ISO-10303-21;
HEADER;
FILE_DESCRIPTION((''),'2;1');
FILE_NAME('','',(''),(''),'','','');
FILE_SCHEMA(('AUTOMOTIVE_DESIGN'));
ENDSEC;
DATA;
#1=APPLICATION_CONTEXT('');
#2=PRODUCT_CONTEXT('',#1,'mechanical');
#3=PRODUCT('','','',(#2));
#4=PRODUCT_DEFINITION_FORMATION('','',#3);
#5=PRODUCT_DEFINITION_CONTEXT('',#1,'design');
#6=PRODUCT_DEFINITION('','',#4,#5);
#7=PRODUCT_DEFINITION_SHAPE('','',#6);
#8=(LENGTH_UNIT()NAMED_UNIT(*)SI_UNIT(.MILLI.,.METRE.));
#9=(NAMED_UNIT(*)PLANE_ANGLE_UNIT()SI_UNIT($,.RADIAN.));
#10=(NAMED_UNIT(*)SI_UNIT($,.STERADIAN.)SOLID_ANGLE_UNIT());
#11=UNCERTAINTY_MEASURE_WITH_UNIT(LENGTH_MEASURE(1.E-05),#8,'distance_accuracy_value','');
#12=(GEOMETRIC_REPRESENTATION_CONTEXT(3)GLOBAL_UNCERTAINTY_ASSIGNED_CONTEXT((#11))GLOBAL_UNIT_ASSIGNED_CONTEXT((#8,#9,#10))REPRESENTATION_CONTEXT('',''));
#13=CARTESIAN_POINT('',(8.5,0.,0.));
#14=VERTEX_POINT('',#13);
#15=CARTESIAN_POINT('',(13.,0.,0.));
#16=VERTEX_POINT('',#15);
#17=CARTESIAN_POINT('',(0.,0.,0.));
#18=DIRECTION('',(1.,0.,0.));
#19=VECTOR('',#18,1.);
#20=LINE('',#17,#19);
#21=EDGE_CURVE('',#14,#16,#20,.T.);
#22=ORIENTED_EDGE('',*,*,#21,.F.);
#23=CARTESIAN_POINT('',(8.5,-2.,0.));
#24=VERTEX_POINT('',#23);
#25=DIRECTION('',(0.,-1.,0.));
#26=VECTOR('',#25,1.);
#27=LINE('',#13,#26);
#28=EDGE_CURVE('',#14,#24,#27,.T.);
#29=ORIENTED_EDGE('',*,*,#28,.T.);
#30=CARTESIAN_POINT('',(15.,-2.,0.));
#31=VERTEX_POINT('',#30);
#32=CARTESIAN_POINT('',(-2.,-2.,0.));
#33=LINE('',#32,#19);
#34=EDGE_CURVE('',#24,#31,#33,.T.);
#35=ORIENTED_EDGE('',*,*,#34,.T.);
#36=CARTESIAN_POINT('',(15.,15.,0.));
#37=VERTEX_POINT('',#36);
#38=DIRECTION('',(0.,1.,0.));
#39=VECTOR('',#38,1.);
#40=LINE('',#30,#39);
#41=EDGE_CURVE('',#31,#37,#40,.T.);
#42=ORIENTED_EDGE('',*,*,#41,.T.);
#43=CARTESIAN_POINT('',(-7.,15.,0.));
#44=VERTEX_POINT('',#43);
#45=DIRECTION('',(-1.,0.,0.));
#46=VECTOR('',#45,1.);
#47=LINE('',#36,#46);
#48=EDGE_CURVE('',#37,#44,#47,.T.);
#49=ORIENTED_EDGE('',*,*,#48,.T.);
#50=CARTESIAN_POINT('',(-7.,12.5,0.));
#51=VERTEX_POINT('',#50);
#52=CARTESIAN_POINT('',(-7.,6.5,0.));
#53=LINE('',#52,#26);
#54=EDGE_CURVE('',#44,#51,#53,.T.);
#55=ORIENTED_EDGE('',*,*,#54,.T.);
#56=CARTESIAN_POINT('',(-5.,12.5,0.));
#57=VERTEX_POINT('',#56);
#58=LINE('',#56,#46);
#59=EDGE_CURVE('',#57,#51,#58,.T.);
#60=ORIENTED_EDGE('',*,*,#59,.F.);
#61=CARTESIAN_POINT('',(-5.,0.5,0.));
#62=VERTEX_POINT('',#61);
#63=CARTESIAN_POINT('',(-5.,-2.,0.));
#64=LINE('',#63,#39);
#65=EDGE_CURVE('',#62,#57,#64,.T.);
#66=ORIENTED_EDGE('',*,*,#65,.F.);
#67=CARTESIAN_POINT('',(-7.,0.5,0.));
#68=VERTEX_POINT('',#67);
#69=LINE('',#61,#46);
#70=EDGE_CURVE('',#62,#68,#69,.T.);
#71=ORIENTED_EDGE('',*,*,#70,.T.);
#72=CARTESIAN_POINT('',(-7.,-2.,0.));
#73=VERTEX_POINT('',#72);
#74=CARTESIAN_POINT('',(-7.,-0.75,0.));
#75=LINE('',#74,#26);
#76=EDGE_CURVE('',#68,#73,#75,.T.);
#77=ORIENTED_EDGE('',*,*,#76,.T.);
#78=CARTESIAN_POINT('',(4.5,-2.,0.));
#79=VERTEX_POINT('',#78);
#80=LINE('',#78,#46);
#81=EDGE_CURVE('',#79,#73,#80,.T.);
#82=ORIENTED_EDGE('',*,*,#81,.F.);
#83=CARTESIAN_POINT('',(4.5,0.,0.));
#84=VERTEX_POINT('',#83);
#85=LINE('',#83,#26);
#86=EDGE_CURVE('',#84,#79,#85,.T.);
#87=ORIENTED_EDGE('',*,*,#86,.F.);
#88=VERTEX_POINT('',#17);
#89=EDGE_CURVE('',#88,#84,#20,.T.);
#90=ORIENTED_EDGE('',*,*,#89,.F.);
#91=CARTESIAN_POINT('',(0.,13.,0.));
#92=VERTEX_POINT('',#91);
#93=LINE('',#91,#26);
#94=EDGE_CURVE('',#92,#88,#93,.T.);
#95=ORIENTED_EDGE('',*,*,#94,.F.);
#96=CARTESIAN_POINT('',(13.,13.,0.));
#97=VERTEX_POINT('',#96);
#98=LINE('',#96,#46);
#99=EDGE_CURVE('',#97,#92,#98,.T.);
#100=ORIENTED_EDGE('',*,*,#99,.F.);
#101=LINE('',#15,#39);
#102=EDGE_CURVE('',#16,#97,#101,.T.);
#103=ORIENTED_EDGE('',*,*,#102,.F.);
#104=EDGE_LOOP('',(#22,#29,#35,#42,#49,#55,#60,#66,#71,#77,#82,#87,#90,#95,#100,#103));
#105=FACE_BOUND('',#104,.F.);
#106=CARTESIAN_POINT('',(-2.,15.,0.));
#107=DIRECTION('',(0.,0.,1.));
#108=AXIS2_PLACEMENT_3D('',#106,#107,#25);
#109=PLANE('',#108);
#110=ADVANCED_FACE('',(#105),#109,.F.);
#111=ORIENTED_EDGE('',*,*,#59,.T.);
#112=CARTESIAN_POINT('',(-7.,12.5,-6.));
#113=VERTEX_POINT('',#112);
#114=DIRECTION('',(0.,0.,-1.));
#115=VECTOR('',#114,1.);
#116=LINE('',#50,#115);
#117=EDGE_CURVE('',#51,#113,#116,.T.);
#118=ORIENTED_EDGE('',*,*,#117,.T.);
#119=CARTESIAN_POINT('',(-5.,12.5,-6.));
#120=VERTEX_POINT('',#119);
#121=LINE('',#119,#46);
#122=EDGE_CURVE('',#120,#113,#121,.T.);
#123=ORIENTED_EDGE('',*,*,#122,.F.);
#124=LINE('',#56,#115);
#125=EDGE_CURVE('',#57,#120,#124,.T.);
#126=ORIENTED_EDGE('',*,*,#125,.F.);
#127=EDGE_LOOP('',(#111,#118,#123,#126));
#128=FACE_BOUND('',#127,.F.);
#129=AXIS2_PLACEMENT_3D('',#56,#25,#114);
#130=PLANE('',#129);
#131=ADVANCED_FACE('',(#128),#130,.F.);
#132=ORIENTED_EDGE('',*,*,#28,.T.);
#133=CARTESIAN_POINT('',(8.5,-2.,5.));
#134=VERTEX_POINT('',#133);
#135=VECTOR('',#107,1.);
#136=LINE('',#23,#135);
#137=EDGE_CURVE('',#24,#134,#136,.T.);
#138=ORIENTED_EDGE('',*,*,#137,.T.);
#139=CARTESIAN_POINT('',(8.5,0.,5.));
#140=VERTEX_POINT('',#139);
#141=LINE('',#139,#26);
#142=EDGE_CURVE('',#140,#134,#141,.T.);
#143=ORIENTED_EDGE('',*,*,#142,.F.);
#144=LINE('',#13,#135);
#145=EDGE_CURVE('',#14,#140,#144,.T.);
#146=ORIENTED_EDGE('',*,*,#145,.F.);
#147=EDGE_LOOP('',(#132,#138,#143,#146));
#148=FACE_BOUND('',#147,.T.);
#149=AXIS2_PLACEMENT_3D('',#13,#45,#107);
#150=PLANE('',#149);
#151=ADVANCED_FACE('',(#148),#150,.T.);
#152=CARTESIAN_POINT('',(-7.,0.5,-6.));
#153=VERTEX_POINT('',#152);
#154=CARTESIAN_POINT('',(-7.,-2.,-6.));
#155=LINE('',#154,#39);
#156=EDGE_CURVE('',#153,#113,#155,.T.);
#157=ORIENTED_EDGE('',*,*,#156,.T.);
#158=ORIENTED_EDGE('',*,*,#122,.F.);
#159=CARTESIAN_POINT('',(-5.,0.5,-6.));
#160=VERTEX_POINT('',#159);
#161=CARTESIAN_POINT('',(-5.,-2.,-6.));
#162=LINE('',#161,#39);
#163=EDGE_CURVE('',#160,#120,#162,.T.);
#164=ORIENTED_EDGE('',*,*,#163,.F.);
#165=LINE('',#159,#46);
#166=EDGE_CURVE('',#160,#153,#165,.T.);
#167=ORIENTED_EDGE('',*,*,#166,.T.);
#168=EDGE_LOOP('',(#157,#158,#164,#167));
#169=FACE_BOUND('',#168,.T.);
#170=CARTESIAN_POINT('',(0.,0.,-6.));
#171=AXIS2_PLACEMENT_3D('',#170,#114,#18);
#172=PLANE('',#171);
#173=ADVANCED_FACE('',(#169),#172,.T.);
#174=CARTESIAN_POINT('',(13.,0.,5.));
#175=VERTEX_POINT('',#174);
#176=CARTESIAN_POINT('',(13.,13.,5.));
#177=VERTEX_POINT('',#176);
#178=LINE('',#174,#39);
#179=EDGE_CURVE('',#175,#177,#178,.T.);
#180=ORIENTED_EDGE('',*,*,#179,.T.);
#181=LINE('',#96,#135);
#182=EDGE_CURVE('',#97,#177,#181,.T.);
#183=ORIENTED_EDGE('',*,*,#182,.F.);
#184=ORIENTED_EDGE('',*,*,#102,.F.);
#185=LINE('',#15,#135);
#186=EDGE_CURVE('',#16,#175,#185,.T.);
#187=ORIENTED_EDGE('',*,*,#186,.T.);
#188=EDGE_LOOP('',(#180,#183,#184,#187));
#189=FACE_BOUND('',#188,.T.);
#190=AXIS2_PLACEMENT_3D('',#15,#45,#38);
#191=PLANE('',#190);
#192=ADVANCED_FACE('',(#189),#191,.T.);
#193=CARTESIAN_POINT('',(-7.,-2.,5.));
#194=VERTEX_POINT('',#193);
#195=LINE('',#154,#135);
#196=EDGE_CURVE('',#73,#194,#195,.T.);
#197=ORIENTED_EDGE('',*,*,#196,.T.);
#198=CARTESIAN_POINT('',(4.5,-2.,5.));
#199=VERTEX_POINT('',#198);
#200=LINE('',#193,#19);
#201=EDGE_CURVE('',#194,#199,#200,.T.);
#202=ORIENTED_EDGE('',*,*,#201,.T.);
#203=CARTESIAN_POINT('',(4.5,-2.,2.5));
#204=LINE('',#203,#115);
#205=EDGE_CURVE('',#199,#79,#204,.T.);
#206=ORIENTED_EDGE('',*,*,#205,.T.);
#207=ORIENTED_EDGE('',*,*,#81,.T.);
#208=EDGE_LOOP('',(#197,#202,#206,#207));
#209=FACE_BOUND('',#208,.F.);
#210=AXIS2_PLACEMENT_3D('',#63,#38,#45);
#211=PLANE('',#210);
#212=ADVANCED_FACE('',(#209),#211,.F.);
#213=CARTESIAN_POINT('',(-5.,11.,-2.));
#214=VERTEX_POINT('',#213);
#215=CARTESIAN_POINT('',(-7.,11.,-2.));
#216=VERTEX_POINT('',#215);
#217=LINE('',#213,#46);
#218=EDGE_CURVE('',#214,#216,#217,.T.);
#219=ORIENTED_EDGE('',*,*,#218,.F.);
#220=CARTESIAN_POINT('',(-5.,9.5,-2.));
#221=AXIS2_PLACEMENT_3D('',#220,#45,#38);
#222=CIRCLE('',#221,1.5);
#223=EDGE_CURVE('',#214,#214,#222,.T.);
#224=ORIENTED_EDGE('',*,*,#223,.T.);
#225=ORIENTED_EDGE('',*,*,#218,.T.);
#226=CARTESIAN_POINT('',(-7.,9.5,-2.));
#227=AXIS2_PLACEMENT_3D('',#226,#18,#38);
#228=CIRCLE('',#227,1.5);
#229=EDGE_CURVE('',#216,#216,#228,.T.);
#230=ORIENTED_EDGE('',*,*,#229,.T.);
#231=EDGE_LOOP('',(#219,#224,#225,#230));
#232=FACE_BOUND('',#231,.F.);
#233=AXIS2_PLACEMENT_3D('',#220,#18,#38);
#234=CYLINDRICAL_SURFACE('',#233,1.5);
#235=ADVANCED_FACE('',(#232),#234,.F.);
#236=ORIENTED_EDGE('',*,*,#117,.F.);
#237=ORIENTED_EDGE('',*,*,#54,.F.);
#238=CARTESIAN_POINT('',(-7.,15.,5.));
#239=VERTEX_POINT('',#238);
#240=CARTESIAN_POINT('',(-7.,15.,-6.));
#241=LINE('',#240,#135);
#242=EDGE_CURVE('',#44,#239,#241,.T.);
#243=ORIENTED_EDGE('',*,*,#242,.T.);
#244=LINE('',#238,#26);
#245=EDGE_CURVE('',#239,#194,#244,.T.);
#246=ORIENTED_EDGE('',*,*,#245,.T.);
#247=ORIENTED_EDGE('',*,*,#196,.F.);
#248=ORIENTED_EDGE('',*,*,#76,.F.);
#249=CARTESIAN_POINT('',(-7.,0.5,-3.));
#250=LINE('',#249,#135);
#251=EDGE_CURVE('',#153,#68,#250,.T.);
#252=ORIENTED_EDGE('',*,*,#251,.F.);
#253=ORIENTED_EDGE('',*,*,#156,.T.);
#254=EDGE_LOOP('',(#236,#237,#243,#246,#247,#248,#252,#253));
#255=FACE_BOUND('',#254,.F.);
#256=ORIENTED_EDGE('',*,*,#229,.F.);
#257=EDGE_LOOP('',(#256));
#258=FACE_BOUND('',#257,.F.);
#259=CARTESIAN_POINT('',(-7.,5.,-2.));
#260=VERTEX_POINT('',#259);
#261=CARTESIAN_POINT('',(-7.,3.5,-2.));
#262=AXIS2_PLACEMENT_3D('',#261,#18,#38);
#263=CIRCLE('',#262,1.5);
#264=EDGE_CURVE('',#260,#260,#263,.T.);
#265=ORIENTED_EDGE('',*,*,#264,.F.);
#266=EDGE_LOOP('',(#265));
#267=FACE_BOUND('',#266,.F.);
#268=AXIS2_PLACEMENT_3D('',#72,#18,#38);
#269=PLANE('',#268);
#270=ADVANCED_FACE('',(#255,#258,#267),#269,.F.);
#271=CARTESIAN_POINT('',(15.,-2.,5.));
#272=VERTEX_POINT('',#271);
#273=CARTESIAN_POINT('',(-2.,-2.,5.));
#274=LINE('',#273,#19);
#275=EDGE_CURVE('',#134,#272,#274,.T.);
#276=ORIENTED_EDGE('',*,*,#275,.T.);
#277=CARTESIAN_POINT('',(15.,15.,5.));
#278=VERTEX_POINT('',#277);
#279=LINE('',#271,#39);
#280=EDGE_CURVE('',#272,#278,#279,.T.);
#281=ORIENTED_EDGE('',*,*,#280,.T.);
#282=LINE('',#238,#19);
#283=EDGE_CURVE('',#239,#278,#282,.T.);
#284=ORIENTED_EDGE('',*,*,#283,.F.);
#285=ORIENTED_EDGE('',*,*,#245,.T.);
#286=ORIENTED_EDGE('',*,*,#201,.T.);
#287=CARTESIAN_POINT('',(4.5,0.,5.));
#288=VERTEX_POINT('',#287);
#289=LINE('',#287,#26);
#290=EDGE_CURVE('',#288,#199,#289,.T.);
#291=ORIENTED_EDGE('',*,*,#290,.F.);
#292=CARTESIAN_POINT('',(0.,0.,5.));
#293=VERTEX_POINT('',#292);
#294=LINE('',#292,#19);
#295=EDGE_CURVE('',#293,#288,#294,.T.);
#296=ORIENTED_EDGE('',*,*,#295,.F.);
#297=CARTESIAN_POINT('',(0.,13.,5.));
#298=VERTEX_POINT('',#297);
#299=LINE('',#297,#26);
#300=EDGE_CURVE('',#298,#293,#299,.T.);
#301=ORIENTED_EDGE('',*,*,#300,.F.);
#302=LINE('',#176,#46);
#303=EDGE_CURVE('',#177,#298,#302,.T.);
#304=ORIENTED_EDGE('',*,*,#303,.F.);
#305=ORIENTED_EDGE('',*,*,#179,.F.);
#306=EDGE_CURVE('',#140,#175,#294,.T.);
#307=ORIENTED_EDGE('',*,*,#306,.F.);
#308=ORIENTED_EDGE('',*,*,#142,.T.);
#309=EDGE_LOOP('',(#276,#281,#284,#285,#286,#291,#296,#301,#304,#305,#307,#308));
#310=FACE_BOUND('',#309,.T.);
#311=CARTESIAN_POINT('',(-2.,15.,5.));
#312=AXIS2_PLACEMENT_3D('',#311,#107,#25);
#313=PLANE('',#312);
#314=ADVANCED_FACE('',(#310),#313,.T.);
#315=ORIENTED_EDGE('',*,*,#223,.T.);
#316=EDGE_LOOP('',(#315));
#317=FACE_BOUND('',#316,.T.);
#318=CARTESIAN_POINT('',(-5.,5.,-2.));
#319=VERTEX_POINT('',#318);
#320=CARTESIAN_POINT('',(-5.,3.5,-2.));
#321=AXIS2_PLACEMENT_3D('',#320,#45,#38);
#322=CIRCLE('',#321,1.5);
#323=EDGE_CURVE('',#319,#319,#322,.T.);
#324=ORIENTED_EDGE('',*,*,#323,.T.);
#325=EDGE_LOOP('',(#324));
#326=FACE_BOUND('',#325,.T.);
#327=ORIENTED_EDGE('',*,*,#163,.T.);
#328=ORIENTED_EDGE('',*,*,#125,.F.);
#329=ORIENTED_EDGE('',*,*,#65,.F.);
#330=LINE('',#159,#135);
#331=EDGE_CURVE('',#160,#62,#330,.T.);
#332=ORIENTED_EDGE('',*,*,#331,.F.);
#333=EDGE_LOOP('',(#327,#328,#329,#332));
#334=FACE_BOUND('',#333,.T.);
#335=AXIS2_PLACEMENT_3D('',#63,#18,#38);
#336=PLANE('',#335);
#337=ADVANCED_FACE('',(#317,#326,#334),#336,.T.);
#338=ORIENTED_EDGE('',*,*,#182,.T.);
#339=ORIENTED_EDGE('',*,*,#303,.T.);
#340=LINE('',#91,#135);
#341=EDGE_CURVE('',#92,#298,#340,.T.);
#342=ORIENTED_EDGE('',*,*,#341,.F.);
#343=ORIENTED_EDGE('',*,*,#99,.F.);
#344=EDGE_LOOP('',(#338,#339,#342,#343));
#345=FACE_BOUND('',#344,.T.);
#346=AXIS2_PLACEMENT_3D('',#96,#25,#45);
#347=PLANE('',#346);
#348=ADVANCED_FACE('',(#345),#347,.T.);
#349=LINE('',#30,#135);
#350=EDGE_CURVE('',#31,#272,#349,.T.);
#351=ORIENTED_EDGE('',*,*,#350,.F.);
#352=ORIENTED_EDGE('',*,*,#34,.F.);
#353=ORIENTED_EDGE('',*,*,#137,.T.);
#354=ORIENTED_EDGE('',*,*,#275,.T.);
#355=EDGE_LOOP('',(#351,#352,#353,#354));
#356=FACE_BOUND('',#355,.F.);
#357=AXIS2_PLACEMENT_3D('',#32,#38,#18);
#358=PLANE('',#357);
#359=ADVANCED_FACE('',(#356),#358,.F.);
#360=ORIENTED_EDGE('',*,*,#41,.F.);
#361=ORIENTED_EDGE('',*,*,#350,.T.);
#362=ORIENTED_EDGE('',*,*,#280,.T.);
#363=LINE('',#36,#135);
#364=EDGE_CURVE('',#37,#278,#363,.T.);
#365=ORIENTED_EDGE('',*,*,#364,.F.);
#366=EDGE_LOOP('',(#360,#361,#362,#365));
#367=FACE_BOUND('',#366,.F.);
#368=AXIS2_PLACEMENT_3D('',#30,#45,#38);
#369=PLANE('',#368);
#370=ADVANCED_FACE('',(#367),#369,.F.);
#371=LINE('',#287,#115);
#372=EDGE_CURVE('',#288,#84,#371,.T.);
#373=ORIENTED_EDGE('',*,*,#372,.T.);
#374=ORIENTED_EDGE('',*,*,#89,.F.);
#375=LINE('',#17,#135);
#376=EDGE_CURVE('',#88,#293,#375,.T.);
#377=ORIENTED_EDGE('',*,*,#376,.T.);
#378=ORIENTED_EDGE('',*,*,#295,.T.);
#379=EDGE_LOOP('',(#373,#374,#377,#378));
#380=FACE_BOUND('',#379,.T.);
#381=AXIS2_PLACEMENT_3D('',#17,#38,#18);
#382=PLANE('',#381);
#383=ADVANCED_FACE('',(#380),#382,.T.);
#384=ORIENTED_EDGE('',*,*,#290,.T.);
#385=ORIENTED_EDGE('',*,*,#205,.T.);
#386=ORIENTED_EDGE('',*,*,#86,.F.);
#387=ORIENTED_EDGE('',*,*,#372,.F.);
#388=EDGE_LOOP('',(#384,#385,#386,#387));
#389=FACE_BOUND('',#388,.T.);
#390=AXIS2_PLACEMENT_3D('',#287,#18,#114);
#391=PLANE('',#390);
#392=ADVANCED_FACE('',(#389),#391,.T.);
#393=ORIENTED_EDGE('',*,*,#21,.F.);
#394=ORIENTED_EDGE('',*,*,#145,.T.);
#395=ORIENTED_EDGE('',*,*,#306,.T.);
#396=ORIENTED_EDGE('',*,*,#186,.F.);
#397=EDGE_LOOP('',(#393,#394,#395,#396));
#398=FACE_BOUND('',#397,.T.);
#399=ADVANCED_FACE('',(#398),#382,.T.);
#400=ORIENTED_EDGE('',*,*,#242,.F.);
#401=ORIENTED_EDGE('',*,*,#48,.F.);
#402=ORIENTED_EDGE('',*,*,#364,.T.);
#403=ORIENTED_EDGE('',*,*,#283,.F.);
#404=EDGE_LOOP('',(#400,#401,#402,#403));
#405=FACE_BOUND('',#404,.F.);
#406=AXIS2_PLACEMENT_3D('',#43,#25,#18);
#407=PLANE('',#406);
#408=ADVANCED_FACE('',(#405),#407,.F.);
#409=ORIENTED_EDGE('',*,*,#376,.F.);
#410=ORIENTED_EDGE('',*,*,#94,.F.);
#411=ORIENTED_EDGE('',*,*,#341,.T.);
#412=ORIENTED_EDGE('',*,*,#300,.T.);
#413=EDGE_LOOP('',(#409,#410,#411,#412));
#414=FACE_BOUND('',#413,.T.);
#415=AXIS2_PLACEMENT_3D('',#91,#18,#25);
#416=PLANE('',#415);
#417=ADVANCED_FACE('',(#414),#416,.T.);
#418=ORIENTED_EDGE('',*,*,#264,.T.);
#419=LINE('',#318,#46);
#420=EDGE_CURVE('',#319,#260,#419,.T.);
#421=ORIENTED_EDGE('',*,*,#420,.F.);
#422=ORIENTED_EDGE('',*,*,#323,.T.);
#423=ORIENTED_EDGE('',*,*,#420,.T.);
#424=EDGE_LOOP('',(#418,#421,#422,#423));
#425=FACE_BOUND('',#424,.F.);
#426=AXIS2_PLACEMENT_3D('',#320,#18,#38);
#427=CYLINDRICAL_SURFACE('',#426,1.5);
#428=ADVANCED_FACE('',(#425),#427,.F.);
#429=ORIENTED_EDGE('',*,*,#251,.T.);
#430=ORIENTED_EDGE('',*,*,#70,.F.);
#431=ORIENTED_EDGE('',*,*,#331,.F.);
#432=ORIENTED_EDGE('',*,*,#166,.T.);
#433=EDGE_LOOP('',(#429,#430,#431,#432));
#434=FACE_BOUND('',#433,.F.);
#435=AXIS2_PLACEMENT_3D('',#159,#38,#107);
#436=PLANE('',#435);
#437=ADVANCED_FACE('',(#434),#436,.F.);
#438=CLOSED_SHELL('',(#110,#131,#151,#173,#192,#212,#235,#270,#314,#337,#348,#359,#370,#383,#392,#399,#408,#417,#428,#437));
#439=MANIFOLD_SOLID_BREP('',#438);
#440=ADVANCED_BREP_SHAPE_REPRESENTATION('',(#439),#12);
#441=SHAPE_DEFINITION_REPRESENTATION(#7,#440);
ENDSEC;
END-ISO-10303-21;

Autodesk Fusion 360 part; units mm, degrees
sketch "Sketch1" plane through (0, 0, 0) normal (0, 0, 1) x (1, 0, 0)
  line L0 (0, 0) -> (13, 0)
  line L1 (13, 0) -> (13, 13)
  line L2 (13, 13) -> (0, 13)
  line L3 (0, 13) -> (0, 0)
  line L4 (-2, -2) -> (15, -2)
  line L5 (15, -2) -> (15, 15)
  line L6 (15, 15) -> (-2, 15)
  line L7 (-2, 15) -> (-2, -2)
  dimension "d1" = 13
  dimension "d2" = 13
  dimension "d3" = 2
extrude "Extrude1" add sketch "Sketch1" along normal blind 5
sketch "Sketch2" plane through (0, 0, 0) normal (0, 1, 0) x (-1, 0, 0)
  line L0 (-13, 0) -> (0, 0)
  line L1 (0, 0) -> (0, 5)
  line L2 (0, 5) -> (-13, 5)
  line L3 (-13, 5) -> (-13, 0)
  line L4 (-8.5, 5) -> (-4.5, 5)
  line L5 (-4.5, 5) -> (-4.5, 0)
  line L6 (-4.5, 0) -> (-8.5, 0)
  line L7 (-8.5, 0) -> (-8.5, 5)
  line L8 (-6.5, 0) -> (-6.5, 5)
  dimension "d6" = 4
  dimension "d7" = 90
extrude "Extrude2" cut sketch "Sketch2" against normal blind 10 contours L0 L2 L4 L6 L7 L8 | L0 L2 L4 L5 L6 L8
extrude "Extrude3" add 1 faces at (-2, 9.3333, 1.6667) along direction (-1, 0, 0) blind 5
sketch "Sketch3" plane through (0, 0, 0) normal (0, 0, -1) x (1, 0, 0)
  line L0 (8.5, 2) -> (8.5, 0)
  line L1 (8.5, 0) -> (13, 0)
  line L2 (13, 0) -> (13, -13)
  line L3 (13, -13) -> (0, -13)
  line L4 (0, -13) -> (0, 0)
  line L5 (0, 0) -> (4.5, 0)
  line L6 (4.5, 0) -> (4.5, 2)
  line L7 (4.5, 2) -> (-7, 2)
  line L8 (-7, 2) -> (-7, -15)
  line L9 (-7, -15) -> (15, -15)
  line L10 (15, -15) -> (15, 2)
  line L11 (15, 2) -> (8.5, 2)
  line L12 (-7, 2) -> (-5, 2)
  line L13 (-5, 2) -> (-5, -15)
  line L14 (-5, -15) -> (-7, -15)
  line L15 (-7, -15) -> (-7, 2)
  dimension "d12" = 2
extrude "Extrude4" add sketch "Sketch3" along normal blind 6 contours L7 L8 L9 L12 L13 L14 L15
sketch "Sketch4" plane through (-5, 0, 0) normal (1, 0, 0) x (0, 1, 0)
  line L0 (15, 0) -> (-2, 0)
  line L1 (-2, 0) -> (-2, -6)
  line L2 (-2, -6) -> (15, -6)
  line L3 (15, -6) -> (15, 0)
  line L4 (-2, -2) -> (15, -2)
  circle A0 centre (3.5, -2) radius 1.5
  circle A1 centre (9.5, -2) radius 1.5
  line L5 (3.5, -2) -> (9.5, -2)
  line L6 (6.5, -2) -> (6.5, 0)
  dimension "d15" = 2
  dimension "d16" = 3
  dimension "d17" = 3
  dimension "d18" = 6
  dimension "d19" = 90
extrude "Extrude5" cut sketch "Sketch4" against normal blind 5 contours L4 A1 L5 | L4 A1 L5 | L4 A0 L5 | L4 A0 L5
sketch "Sketch5" plane through (-5, 0, 0) normal (1, 0, 0) x (0, 1, 0)
  circle A0 centre (3.5, -2) radius 1.5
  circle A1 centre (9.5, -2) radius 1.5
  line L0 (15, 0) -> (-2, 0)
  line L1 (-2, 0) -> (-2, -6)
  line L2 (-2, -6) -> (15, -6)
  line L3 (15, -6) -> (15, 0)
  line L4 (0.5, 0) -> (12.5, 0)
  line L5 (12.5, 0) -> (12.5, -6)
  line L6 (12.5, -6) -> (0.5, -6)
  line L7 (0.5, -6) -> (0.5, 0)
  line L8 (-2, -6) -> (15, -6)
  line L9 (15, -6) -> (15, 0)
  line L10 (15, 0) -> (-2, 0)
  line L11 (-2, 0) -> (-2, -6)
  dimension "d22" = 3
  dimension "d23" = 3
extrude "Extrude6" cut sketch "Sketch5" against normal blind 5 contours L0 L2 L3 L5 L8 L9 L10 | L0 L1 L2 L7 L8 L10 L11
